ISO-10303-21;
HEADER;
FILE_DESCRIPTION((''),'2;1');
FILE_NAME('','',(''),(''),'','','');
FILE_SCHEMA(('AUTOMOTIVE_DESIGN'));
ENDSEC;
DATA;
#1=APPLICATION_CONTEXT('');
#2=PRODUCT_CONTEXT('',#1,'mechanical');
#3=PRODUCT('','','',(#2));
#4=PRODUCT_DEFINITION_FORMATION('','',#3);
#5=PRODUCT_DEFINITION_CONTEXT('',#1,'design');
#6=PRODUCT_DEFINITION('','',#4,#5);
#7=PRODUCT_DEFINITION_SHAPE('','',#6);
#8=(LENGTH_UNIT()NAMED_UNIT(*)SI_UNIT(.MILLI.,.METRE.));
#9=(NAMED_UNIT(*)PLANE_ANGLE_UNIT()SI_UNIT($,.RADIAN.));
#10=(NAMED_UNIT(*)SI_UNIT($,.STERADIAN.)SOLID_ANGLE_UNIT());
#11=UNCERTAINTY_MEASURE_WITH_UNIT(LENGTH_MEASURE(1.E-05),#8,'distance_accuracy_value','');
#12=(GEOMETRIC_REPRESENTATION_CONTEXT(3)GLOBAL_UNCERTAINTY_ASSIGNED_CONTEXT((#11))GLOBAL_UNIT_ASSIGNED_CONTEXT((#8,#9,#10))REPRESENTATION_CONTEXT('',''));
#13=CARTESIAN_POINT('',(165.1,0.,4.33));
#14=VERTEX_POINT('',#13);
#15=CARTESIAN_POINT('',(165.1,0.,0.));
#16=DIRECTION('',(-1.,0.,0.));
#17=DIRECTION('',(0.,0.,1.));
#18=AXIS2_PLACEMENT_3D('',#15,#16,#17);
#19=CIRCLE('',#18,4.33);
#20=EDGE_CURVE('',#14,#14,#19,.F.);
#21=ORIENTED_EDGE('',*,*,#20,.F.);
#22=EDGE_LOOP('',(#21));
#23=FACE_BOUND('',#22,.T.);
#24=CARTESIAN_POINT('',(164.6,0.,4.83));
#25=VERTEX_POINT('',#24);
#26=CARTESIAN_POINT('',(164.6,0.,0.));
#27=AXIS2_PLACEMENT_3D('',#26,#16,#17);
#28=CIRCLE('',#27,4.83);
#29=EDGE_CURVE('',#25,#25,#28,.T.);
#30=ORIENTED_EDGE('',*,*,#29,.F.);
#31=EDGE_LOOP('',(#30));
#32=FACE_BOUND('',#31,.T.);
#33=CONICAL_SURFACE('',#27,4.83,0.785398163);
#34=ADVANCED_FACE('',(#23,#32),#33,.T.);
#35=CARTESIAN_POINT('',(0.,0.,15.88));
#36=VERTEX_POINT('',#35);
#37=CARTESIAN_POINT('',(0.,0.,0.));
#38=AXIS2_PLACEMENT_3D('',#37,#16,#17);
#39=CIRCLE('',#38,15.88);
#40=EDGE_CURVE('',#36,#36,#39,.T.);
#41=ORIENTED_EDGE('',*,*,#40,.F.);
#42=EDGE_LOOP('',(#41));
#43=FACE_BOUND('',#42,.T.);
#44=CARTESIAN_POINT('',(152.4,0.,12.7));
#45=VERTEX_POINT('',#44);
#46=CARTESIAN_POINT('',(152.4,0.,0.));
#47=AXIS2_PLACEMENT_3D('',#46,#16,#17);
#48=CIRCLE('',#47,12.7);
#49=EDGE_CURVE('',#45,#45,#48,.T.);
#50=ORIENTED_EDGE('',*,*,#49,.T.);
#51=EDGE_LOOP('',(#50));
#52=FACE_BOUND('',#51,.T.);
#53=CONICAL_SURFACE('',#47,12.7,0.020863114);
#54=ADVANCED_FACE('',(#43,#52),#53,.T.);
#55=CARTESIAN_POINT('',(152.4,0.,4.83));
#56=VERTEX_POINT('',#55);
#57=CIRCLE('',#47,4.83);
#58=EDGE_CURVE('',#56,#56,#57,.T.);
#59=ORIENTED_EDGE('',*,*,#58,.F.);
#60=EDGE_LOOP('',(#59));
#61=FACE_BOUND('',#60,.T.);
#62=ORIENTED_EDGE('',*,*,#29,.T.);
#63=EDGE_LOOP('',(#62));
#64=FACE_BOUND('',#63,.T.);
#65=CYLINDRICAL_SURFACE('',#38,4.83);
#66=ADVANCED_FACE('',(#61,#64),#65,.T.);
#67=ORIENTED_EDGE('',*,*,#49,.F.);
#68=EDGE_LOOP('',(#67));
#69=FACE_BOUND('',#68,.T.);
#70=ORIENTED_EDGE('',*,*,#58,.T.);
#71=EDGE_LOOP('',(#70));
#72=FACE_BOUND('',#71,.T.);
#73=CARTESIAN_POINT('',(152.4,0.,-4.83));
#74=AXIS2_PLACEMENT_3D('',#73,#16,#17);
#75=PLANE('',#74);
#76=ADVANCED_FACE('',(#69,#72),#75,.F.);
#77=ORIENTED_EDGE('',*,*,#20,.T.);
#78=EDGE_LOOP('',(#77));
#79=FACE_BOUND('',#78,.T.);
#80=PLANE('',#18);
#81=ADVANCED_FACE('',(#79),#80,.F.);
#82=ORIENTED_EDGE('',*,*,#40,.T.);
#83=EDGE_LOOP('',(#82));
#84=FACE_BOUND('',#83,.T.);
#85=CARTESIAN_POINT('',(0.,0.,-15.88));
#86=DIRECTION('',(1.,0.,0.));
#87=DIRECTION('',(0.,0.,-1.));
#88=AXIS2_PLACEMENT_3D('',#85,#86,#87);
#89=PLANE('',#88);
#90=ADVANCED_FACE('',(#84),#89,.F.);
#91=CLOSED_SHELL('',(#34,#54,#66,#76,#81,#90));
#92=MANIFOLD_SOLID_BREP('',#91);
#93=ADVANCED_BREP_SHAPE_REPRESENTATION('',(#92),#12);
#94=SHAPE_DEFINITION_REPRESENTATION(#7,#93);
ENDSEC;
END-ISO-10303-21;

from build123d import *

# Parameters (mm, degrees)
CHAMFER1_SIZE = 0.5


with BuildPart() as part:
    # Sketch1 → Revolve1 (revolve)
    with BuildSketch(Plane(origin=(0, 0, 0), x_dir=(1, 0, 0), z_dir=(0, 1, 0))):
        Polygon((0, 0), (165.1, 0), (165.1, 4.83), (152.4, 4.83), (152.4, 12.7), (0, 15.88), align=None)
    revolve(axis=Axis((0, 0, 0), (1, 0, 0)))

    # Chamfer1
    chamfer1_edges = [part.edges().sort_by_distance(p)[0] for p in [
        (165.1, 0, 4.83),
    ]]
    chamfer(chamfer1_edges, length=CHAMFER1_SIZE)


solid = part.part
